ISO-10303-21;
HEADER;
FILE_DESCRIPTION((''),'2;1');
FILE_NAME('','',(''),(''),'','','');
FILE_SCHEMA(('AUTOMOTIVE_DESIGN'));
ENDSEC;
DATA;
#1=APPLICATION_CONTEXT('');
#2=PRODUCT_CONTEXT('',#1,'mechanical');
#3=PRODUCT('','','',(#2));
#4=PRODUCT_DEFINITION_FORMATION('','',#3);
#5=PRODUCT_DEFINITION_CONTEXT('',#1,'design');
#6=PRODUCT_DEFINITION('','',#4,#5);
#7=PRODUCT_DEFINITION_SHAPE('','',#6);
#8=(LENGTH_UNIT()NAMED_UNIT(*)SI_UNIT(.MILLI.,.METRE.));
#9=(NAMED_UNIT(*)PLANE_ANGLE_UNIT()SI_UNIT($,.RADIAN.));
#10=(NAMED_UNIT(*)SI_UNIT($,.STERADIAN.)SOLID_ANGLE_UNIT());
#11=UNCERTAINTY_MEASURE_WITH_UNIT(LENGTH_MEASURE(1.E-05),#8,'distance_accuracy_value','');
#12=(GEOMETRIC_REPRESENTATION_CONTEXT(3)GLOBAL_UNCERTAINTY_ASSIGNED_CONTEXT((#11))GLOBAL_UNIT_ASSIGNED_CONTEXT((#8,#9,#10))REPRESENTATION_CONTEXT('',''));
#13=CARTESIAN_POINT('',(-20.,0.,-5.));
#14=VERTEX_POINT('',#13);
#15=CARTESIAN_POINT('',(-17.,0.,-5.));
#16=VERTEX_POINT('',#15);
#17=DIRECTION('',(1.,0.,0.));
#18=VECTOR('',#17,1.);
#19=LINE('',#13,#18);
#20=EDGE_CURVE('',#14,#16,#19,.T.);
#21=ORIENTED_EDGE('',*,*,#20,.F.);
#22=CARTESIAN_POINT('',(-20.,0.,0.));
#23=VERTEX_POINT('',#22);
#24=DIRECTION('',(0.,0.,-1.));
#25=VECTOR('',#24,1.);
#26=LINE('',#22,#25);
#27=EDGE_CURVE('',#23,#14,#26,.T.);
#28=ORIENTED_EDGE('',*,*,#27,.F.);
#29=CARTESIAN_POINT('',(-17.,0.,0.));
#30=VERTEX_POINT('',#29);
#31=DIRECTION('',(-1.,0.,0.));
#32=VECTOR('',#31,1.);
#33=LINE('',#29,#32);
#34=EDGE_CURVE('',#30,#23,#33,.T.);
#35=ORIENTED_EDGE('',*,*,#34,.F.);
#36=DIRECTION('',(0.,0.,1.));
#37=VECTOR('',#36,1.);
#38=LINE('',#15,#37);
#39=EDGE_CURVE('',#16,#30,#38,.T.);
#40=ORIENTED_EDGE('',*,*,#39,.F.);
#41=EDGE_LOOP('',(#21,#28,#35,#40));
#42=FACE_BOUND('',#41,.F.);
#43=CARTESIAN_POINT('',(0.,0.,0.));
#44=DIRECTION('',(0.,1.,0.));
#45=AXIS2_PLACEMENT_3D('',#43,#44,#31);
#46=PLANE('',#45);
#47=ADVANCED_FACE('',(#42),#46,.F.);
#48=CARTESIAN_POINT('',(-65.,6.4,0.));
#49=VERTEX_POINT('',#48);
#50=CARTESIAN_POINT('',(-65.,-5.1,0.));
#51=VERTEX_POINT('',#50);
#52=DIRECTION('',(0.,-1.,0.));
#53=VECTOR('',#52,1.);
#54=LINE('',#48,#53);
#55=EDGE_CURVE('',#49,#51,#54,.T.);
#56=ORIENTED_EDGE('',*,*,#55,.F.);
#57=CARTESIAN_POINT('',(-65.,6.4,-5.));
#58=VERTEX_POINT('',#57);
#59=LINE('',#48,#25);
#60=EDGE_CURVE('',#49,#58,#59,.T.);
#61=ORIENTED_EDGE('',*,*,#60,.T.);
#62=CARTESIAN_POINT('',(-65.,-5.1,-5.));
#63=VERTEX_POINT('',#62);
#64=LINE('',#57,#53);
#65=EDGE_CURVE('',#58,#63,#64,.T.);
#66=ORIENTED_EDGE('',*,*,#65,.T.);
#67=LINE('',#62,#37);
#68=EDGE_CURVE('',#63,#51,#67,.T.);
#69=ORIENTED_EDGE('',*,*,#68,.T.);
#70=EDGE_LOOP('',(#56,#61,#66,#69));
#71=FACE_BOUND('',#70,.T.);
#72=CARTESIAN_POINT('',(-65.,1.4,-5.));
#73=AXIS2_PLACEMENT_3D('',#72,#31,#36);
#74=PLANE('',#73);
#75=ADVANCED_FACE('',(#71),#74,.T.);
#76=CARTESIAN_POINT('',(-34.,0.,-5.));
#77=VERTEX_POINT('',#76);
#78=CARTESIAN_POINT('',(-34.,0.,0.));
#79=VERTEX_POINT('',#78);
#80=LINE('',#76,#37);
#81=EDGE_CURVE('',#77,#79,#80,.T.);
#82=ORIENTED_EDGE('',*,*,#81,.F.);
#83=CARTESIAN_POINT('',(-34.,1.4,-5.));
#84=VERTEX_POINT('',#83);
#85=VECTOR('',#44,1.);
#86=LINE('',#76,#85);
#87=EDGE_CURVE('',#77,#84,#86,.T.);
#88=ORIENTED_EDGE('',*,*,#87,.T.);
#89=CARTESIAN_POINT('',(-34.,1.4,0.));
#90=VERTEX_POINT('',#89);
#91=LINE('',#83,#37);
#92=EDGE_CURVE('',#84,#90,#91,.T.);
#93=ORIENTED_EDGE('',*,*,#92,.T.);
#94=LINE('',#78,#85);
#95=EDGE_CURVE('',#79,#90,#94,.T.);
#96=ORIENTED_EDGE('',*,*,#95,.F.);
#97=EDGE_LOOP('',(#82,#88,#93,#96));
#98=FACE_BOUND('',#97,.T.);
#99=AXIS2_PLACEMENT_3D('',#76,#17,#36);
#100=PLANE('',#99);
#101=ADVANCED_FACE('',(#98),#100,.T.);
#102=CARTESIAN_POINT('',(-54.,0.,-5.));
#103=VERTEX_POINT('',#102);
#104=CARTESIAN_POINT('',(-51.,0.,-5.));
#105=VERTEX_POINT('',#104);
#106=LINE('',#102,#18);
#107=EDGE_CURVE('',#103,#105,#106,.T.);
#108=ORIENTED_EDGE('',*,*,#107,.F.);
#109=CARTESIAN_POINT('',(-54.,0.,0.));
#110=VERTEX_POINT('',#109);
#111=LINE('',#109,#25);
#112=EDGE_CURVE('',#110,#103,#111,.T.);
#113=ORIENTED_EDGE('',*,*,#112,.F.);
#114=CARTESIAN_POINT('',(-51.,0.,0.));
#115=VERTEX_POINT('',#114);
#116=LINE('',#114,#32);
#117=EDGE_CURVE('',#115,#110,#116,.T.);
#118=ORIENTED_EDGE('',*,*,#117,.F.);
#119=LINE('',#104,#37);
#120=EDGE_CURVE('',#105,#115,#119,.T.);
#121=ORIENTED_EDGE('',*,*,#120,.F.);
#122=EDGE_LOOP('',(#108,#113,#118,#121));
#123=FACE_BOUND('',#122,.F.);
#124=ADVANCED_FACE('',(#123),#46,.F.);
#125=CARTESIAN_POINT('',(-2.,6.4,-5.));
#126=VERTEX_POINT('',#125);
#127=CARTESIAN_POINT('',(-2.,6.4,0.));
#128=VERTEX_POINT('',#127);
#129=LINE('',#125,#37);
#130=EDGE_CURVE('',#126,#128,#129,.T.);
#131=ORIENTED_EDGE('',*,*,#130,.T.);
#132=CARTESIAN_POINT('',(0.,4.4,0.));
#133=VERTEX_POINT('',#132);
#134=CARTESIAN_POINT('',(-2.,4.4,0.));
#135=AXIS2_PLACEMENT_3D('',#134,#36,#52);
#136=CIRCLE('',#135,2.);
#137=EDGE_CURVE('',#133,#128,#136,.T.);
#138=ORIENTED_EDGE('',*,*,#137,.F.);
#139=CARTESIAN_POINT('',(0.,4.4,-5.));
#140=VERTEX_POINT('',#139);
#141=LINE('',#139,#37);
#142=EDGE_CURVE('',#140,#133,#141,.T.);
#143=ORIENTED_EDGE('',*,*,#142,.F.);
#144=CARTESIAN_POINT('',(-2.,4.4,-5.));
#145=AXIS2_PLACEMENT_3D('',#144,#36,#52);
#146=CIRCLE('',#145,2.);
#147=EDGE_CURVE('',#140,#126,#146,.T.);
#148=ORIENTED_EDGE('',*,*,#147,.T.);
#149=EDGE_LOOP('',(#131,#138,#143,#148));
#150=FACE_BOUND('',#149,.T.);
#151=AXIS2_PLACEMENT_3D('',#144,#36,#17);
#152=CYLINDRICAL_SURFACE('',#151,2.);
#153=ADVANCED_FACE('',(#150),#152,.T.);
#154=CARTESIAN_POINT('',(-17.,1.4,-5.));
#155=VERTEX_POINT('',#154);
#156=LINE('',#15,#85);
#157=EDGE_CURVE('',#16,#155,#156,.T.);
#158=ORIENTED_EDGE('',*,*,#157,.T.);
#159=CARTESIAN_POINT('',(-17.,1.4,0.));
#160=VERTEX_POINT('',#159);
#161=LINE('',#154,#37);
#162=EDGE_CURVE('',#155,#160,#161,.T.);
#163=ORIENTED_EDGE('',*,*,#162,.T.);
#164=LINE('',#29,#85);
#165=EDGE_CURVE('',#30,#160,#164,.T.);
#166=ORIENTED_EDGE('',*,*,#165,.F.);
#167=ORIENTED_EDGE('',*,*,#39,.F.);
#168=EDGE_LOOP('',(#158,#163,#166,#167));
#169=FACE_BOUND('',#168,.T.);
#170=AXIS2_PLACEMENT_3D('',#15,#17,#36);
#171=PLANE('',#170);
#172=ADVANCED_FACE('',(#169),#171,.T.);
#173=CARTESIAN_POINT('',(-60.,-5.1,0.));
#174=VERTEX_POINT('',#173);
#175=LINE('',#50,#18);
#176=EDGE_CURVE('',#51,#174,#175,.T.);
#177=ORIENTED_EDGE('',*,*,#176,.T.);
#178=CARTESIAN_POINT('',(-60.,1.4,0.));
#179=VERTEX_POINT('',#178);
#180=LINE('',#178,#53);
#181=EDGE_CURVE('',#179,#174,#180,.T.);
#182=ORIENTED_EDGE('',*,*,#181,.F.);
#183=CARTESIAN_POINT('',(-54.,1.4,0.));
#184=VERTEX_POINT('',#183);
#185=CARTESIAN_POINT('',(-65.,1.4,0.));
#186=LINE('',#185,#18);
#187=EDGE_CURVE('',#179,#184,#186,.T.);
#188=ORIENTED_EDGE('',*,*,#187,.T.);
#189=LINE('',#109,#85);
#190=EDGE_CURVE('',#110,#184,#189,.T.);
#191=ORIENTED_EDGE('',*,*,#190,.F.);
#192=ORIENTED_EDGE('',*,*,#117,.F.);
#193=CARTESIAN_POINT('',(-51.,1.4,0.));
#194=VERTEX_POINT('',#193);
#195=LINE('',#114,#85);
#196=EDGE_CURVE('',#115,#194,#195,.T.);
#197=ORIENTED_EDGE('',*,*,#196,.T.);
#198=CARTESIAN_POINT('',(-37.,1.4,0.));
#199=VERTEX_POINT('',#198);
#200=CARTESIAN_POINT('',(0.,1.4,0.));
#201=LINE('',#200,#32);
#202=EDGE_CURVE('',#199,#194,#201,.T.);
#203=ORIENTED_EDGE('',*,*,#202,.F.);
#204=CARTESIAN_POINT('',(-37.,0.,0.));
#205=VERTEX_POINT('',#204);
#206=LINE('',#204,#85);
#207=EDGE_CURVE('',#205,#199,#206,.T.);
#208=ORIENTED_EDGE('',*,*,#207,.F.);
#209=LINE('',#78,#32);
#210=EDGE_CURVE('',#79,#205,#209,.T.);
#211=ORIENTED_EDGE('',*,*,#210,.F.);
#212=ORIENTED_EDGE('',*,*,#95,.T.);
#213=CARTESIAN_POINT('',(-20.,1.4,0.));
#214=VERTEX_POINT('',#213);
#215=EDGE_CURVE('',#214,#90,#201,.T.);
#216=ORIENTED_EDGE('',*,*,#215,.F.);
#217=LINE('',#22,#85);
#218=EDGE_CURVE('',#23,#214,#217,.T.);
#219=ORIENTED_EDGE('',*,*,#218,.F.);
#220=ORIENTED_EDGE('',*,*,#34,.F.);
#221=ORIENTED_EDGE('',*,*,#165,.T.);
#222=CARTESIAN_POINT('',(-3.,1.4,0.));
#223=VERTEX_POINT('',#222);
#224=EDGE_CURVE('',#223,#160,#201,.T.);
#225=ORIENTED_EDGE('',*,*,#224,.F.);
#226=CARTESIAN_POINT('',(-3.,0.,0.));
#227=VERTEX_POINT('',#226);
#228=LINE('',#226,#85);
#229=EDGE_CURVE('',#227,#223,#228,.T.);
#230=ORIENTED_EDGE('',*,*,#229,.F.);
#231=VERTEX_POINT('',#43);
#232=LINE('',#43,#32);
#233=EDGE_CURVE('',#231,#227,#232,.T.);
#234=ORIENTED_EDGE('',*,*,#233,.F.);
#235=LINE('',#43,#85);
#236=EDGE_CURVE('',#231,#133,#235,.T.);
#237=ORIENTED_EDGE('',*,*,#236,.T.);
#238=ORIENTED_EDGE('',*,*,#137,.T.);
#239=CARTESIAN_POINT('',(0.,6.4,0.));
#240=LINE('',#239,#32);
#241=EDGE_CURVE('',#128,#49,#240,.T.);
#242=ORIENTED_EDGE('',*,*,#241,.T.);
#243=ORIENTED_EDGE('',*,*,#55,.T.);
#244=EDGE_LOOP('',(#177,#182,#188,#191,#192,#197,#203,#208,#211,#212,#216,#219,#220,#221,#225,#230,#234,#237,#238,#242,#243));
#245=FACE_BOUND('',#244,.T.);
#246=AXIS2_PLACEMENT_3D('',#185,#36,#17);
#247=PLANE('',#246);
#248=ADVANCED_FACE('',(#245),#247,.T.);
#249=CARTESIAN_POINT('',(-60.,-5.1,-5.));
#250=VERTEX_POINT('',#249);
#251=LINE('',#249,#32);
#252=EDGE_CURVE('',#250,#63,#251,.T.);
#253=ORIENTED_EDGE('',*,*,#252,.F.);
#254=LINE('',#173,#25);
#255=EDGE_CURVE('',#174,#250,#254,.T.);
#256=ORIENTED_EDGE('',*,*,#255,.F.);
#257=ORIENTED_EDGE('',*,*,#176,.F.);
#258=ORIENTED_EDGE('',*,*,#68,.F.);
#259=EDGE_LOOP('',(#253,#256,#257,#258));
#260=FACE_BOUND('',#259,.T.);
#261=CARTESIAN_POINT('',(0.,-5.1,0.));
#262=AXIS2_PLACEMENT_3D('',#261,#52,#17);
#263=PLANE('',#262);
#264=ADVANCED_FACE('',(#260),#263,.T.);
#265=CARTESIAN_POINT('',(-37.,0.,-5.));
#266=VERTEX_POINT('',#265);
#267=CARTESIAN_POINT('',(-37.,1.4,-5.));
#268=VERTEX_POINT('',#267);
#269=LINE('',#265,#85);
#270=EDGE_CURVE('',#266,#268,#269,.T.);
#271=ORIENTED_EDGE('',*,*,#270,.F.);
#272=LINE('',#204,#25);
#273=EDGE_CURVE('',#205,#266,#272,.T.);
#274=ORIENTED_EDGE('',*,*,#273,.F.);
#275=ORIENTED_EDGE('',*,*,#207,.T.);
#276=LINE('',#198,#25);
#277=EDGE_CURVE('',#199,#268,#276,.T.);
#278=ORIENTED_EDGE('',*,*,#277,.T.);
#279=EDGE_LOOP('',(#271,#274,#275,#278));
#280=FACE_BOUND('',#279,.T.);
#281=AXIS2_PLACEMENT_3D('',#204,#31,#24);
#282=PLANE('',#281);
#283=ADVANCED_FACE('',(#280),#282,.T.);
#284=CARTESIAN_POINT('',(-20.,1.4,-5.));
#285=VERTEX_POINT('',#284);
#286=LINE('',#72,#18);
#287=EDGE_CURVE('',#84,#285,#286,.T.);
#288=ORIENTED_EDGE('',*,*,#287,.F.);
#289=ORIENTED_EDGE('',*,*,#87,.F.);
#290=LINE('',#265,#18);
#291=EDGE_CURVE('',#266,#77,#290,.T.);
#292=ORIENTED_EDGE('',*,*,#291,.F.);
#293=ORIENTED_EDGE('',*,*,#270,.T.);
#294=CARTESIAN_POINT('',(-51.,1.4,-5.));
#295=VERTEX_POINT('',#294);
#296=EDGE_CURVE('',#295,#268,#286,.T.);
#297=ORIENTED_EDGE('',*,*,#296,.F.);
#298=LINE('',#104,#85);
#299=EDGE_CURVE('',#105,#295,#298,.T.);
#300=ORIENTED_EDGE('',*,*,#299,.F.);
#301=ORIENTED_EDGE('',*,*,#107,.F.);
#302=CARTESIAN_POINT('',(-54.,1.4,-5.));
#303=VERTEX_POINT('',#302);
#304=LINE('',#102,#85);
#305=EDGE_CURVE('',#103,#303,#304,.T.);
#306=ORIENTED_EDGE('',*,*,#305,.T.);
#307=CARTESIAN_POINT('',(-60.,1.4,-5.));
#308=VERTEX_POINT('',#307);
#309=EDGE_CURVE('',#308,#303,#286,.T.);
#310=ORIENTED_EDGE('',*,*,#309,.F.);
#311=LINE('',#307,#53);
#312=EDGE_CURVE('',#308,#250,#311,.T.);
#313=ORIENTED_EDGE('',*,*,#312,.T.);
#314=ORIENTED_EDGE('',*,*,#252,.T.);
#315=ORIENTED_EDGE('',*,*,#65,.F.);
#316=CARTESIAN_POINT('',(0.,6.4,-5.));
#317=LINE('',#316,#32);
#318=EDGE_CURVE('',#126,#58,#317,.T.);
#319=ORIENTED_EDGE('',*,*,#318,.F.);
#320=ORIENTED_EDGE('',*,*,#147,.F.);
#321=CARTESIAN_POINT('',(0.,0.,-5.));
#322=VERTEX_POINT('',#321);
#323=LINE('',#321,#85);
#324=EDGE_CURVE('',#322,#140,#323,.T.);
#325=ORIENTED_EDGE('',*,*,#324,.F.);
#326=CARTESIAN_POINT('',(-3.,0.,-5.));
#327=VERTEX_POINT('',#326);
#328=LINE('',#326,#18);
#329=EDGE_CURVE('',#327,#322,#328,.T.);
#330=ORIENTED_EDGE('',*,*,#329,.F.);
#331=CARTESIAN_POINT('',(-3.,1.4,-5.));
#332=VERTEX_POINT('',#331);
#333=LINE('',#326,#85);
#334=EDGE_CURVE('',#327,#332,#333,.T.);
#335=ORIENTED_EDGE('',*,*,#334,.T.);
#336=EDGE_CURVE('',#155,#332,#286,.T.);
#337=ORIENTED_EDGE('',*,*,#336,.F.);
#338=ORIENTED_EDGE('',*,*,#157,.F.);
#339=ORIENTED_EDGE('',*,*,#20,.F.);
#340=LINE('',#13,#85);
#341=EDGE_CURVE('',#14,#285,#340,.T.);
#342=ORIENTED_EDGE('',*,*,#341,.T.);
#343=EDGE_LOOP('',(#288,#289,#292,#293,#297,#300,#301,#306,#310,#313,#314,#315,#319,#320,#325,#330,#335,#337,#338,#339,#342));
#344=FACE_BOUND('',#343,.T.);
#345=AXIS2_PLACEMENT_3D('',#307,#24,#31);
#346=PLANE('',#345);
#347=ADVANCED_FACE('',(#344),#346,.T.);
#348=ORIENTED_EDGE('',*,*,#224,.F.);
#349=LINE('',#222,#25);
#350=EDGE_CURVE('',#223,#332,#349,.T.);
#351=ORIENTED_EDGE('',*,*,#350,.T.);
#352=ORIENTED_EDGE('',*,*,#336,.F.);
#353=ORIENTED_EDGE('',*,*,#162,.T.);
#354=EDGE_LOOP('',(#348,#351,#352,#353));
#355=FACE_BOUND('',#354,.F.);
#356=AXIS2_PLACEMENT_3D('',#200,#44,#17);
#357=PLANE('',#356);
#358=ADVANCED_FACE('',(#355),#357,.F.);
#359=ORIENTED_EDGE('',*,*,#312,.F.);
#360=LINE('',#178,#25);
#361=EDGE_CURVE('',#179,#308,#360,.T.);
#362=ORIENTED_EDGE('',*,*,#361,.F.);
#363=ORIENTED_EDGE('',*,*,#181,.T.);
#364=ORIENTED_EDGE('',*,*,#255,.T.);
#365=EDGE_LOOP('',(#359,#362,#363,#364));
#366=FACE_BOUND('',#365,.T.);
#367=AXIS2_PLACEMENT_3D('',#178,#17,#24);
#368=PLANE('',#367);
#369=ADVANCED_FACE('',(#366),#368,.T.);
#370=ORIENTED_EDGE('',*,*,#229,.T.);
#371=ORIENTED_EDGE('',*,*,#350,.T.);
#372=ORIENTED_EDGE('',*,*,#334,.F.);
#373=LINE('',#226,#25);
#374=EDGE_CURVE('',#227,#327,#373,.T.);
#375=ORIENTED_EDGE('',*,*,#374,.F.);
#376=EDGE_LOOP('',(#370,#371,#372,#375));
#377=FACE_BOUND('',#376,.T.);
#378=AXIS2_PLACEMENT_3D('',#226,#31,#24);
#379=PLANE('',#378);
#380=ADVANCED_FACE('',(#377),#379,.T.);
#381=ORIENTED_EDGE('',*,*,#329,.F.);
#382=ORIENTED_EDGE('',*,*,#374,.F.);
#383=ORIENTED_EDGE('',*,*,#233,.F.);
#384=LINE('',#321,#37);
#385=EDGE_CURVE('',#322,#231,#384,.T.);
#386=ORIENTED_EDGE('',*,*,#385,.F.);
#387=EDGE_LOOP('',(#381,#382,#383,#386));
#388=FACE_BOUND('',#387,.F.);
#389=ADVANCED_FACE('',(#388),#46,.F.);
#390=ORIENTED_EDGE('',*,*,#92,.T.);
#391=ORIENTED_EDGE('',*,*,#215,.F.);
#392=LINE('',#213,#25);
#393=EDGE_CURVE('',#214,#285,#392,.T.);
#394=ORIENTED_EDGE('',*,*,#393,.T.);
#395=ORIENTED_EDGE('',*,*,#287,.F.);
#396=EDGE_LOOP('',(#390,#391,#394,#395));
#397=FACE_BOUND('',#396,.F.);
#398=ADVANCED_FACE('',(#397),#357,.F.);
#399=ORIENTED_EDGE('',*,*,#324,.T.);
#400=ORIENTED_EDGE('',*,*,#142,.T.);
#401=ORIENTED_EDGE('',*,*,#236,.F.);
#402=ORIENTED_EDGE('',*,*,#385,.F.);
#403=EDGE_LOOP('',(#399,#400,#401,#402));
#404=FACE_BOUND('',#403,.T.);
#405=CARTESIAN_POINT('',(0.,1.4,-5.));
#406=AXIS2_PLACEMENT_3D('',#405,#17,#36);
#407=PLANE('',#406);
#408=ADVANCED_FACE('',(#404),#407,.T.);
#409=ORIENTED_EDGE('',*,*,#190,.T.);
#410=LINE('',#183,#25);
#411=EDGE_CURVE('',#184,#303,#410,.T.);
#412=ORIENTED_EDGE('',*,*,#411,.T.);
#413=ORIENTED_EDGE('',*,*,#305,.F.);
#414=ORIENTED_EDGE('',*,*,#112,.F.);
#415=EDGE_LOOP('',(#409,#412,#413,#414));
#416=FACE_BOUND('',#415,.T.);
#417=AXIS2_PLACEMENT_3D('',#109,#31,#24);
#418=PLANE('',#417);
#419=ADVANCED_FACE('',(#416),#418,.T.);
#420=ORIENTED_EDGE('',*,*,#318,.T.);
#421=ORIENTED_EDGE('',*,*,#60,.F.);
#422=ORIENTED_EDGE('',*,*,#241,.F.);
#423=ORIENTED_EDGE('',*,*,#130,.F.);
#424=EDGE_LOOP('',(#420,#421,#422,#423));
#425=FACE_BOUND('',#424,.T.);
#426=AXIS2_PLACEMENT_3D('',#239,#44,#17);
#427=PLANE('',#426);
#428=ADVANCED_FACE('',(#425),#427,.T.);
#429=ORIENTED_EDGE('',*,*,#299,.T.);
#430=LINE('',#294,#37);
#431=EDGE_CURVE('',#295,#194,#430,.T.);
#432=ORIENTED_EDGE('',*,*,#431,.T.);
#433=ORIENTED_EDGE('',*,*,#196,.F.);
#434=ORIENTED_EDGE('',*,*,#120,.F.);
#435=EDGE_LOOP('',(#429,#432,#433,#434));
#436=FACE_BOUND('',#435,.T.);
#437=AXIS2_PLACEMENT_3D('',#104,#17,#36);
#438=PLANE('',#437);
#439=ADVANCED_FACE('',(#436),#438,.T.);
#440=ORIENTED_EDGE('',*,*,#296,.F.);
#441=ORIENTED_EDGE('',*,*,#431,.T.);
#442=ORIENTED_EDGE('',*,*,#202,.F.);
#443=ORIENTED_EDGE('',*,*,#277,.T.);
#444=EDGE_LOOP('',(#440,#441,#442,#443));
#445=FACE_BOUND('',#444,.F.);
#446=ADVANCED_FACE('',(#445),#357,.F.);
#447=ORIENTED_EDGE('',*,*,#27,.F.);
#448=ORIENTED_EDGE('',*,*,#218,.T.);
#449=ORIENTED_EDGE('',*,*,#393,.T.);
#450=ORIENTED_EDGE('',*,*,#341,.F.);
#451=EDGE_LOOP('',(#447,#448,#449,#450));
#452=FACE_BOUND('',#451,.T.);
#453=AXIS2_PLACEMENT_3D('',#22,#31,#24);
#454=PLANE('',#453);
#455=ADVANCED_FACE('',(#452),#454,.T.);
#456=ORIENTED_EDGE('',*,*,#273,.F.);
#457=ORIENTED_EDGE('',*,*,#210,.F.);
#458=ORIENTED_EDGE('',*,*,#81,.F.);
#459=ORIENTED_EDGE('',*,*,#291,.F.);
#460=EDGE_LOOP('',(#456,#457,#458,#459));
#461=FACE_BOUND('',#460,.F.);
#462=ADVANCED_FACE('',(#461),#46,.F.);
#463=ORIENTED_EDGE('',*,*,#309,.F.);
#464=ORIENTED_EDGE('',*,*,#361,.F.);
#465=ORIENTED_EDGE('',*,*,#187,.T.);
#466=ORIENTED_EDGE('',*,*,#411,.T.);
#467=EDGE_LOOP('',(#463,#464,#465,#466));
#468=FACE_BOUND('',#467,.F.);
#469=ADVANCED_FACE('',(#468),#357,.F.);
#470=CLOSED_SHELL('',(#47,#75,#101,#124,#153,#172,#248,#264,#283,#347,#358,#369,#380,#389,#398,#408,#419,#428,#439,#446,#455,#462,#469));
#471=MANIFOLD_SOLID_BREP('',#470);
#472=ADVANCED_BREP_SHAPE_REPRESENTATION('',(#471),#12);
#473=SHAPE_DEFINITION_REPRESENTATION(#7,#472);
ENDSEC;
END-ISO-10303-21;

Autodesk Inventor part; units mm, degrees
ref_plane "YZ Plane" through (0, 0, 0) normal (1, 0, 0) x (0, 1, 0)
ref_plane "XZ Plane" through (0, 0, 0) normal (0, 1, 0) x (-1, 0, 0)
ref_plane "XY Plane" through (0, 0, 0) normal (0, 0, 1) x (1, 0, 0)
sketch "Эскиз1" plane through (0, 0, 0) normal (0, 1, 0) x (-1, 0, 0)
  line L0 (0, 0) -> (3, 0)
  line L1 (3, 0) -> (3, -5)
  line L2 (3, -5) -> (0, -5)
  line L3 (0, -5) -> (0, 0)
  line L4 (17, 0) -> (20, 0)
  line L5 (20, 0) -> (20, -5)
  line L6 (20, -5) -> (17, -5)
  line L7 (17, -5) -> (17, 0)
  line L8 (34, 0) -> (37, 0)
  line L9 (37, 0) -> (37, -5)
  line L10 (37, -5) -> (34, -5)
  line L11 (34, -5) -> (34, 0)
  line L12 (51, 0) -> (54, 0)
  line L13 (54, 0) -> (54, -5)
  line L14 (54, -5) -> (51, -5)
  line L15 (51, -5) -> (51, 0)
  dimension "d0" = 3
  dimension "d1" = 5
  dimension "d3" = 3
  dimension "d4" = 5
  dimension "d6" = 3
  dimension "d7" = 5
  dimension "d9" = 3
  dimension "d10" = 5
extrude "Выдавливание1" add sketch "Эскиз1" along normal blind 1.4
sketch "Эскиз2" plane through (0, 1.4, 0) normal (0, 1, 0) x (1, 0, 0)
  line L0 (0, 0) -> (-65, 0)
  line L1 (-65, 0) -> (-65, 5)
  line L2 (-65, 5) -> (0, 5)
  line L3 (0, 5) -> (0, 0)
  line L4 (-65, 0) -> (-60, 0)
  line L5 (-60, 5) -> (-65, 5)
  line L6 (-65, 5) -> (-65, 0)
  dimension "d14" = 65
extrude "Выдавливание2" add sketch "Эскиз2" along normal blind 5
fillet "Сопряжение1" radius 2 1 edges at (0, 6.4, -2.5)
sketch "Эскиз4" plane through (0, 1.4, 0) normal (0, -1, 0) x (1, 0, 0)
  line L0 (-65, 0) -> (-2, 0) projected
  line L1 (-65, 0) -> (-60, 0)
  line L2 (-60, 0) -> (-60, -5)
  line L3 (-60, -5) -> (-65, -5)
  line L4 (-65, -5) -> (-65, 0)
  point P0 (0, 0)
  dimension "d23" = 5
  dimension "d24" = 5
extrude "Выдавливание3" add sketch "Эскиз4" along normal blind 6.5
properties part number "Bus_copper_top" material "Медь"
